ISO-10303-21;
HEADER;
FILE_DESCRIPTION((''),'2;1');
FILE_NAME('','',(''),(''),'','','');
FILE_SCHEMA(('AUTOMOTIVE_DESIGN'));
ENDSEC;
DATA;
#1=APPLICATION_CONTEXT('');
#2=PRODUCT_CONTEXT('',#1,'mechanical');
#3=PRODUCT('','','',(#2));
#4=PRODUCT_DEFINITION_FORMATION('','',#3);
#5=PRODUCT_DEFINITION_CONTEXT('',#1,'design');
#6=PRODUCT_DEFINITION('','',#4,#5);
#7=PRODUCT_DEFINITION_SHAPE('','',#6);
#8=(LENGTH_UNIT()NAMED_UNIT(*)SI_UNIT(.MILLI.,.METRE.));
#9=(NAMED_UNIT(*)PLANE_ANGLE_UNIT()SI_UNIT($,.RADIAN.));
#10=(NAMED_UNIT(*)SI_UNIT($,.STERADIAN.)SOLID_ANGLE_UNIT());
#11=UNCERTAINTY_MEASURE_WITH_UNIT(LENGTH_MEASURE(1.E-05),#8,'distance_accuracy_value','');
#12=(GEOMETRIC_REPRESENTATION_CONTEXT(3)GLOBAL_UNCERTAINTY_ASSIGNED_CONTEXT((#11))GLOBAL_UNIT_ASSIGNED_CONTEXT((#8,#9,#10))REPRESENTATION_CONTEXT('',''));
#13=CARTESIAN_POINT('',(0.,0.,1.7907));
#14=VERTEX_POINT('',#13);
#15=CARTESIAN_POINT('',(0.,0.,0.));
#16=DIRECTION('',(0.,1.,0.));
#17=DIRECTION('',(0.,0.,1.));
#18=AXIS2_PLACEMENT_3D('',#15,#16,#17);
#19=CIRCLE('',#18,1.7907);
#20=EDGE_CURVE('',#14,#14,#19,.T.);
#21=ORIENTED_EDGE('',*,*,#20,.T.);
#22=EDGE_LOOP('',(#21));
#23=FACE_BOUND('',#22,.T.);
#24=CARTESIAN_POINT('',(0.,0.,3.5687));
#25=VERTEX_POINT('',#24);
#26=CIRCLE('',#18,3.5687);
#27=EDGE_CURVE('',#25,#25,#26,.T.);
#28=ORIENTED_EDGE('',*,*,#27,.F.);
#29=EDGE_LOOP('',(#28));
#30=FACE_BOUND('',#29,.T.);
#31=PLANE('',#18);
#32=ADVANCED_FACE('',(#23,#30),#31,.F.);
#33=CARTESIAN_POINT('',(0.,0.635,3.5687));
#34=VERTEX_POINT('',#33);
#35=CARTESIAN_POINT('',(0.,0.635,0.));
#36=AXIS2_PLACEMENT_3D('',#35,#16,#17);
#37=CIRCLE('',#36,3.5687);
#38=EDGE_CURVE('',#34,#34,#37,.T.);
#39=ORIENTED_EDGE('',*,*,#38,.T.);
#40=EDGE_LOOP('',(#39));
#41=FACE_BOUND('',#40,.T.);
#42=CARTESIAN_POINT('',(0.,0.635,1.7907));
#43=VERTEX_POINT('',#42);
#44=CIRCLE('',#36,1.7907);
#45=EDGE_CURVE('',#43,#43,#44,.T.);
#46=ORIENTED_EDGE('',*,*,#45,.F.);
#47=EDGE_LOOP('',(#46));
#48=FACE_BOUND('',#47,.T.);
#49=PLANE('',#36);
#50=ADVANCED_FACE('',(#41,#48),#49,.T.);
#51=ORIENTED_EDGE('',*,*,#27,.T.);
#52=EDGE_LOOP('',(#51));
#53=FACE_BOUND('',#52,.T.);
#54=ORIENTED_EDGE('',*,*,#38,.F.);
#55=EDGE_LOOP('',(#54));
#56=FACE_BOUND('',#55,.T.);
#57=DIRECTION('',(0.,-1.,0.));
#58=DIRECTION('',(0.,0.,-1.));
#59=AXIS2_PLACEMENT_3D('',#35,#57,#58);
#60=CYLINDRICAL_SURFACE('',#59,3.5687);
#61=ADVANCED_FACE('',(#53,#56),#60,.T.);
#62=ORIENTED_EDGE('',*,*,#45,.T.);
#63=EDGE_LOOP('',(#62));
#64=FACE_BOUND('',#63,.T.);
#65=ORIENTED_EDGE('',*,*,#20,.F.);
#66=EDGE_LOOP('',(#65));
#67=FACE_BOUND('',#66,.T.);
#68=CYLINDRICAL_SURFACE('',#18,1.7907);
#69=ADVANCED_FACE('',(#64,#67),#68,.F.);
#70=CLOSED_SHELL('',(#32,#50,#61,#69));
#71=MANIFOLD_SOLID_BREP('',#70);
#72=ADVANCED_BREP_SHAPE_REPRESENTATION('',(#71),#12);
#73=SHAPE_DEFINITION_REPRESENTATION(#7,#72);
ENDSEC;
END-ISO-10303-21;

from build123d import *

# Parameters (mm, degrees)
SKETCH1_R           = 3.5687
BOSS_EXTRUDE1_DEPTH = 0.635
SKETCH5_R           = 1.7907
CUT_EXTRUDE1_DEPTH  = 1.635


with BuildPart() as part:
    # Sketch1 → Boss-Extrude1 (new body)
    with BuildSketch(Plane(origin=(0, 0, 0), x_dir=(1, 0, 0), z_dir=(0, 1, 0))):
        Circle(SKETCH1_R)
    extrude(amount=BOSS_EXTRUDE1_DEPTH)

    # Sketch5 → Cut-Extrude1 (cut, through all)
    with BuildSketch(Plane(origin=(0, 0.635, 0), x_dir=(-1, 0, 0), z_dir=(0, 1, 0))):
        Circle(SKETCH5_R)
    extrude(amount=-CUT_EXTRUDE1_DEPTH, mode=Mode.SUBTRACT)


solid = part.part
